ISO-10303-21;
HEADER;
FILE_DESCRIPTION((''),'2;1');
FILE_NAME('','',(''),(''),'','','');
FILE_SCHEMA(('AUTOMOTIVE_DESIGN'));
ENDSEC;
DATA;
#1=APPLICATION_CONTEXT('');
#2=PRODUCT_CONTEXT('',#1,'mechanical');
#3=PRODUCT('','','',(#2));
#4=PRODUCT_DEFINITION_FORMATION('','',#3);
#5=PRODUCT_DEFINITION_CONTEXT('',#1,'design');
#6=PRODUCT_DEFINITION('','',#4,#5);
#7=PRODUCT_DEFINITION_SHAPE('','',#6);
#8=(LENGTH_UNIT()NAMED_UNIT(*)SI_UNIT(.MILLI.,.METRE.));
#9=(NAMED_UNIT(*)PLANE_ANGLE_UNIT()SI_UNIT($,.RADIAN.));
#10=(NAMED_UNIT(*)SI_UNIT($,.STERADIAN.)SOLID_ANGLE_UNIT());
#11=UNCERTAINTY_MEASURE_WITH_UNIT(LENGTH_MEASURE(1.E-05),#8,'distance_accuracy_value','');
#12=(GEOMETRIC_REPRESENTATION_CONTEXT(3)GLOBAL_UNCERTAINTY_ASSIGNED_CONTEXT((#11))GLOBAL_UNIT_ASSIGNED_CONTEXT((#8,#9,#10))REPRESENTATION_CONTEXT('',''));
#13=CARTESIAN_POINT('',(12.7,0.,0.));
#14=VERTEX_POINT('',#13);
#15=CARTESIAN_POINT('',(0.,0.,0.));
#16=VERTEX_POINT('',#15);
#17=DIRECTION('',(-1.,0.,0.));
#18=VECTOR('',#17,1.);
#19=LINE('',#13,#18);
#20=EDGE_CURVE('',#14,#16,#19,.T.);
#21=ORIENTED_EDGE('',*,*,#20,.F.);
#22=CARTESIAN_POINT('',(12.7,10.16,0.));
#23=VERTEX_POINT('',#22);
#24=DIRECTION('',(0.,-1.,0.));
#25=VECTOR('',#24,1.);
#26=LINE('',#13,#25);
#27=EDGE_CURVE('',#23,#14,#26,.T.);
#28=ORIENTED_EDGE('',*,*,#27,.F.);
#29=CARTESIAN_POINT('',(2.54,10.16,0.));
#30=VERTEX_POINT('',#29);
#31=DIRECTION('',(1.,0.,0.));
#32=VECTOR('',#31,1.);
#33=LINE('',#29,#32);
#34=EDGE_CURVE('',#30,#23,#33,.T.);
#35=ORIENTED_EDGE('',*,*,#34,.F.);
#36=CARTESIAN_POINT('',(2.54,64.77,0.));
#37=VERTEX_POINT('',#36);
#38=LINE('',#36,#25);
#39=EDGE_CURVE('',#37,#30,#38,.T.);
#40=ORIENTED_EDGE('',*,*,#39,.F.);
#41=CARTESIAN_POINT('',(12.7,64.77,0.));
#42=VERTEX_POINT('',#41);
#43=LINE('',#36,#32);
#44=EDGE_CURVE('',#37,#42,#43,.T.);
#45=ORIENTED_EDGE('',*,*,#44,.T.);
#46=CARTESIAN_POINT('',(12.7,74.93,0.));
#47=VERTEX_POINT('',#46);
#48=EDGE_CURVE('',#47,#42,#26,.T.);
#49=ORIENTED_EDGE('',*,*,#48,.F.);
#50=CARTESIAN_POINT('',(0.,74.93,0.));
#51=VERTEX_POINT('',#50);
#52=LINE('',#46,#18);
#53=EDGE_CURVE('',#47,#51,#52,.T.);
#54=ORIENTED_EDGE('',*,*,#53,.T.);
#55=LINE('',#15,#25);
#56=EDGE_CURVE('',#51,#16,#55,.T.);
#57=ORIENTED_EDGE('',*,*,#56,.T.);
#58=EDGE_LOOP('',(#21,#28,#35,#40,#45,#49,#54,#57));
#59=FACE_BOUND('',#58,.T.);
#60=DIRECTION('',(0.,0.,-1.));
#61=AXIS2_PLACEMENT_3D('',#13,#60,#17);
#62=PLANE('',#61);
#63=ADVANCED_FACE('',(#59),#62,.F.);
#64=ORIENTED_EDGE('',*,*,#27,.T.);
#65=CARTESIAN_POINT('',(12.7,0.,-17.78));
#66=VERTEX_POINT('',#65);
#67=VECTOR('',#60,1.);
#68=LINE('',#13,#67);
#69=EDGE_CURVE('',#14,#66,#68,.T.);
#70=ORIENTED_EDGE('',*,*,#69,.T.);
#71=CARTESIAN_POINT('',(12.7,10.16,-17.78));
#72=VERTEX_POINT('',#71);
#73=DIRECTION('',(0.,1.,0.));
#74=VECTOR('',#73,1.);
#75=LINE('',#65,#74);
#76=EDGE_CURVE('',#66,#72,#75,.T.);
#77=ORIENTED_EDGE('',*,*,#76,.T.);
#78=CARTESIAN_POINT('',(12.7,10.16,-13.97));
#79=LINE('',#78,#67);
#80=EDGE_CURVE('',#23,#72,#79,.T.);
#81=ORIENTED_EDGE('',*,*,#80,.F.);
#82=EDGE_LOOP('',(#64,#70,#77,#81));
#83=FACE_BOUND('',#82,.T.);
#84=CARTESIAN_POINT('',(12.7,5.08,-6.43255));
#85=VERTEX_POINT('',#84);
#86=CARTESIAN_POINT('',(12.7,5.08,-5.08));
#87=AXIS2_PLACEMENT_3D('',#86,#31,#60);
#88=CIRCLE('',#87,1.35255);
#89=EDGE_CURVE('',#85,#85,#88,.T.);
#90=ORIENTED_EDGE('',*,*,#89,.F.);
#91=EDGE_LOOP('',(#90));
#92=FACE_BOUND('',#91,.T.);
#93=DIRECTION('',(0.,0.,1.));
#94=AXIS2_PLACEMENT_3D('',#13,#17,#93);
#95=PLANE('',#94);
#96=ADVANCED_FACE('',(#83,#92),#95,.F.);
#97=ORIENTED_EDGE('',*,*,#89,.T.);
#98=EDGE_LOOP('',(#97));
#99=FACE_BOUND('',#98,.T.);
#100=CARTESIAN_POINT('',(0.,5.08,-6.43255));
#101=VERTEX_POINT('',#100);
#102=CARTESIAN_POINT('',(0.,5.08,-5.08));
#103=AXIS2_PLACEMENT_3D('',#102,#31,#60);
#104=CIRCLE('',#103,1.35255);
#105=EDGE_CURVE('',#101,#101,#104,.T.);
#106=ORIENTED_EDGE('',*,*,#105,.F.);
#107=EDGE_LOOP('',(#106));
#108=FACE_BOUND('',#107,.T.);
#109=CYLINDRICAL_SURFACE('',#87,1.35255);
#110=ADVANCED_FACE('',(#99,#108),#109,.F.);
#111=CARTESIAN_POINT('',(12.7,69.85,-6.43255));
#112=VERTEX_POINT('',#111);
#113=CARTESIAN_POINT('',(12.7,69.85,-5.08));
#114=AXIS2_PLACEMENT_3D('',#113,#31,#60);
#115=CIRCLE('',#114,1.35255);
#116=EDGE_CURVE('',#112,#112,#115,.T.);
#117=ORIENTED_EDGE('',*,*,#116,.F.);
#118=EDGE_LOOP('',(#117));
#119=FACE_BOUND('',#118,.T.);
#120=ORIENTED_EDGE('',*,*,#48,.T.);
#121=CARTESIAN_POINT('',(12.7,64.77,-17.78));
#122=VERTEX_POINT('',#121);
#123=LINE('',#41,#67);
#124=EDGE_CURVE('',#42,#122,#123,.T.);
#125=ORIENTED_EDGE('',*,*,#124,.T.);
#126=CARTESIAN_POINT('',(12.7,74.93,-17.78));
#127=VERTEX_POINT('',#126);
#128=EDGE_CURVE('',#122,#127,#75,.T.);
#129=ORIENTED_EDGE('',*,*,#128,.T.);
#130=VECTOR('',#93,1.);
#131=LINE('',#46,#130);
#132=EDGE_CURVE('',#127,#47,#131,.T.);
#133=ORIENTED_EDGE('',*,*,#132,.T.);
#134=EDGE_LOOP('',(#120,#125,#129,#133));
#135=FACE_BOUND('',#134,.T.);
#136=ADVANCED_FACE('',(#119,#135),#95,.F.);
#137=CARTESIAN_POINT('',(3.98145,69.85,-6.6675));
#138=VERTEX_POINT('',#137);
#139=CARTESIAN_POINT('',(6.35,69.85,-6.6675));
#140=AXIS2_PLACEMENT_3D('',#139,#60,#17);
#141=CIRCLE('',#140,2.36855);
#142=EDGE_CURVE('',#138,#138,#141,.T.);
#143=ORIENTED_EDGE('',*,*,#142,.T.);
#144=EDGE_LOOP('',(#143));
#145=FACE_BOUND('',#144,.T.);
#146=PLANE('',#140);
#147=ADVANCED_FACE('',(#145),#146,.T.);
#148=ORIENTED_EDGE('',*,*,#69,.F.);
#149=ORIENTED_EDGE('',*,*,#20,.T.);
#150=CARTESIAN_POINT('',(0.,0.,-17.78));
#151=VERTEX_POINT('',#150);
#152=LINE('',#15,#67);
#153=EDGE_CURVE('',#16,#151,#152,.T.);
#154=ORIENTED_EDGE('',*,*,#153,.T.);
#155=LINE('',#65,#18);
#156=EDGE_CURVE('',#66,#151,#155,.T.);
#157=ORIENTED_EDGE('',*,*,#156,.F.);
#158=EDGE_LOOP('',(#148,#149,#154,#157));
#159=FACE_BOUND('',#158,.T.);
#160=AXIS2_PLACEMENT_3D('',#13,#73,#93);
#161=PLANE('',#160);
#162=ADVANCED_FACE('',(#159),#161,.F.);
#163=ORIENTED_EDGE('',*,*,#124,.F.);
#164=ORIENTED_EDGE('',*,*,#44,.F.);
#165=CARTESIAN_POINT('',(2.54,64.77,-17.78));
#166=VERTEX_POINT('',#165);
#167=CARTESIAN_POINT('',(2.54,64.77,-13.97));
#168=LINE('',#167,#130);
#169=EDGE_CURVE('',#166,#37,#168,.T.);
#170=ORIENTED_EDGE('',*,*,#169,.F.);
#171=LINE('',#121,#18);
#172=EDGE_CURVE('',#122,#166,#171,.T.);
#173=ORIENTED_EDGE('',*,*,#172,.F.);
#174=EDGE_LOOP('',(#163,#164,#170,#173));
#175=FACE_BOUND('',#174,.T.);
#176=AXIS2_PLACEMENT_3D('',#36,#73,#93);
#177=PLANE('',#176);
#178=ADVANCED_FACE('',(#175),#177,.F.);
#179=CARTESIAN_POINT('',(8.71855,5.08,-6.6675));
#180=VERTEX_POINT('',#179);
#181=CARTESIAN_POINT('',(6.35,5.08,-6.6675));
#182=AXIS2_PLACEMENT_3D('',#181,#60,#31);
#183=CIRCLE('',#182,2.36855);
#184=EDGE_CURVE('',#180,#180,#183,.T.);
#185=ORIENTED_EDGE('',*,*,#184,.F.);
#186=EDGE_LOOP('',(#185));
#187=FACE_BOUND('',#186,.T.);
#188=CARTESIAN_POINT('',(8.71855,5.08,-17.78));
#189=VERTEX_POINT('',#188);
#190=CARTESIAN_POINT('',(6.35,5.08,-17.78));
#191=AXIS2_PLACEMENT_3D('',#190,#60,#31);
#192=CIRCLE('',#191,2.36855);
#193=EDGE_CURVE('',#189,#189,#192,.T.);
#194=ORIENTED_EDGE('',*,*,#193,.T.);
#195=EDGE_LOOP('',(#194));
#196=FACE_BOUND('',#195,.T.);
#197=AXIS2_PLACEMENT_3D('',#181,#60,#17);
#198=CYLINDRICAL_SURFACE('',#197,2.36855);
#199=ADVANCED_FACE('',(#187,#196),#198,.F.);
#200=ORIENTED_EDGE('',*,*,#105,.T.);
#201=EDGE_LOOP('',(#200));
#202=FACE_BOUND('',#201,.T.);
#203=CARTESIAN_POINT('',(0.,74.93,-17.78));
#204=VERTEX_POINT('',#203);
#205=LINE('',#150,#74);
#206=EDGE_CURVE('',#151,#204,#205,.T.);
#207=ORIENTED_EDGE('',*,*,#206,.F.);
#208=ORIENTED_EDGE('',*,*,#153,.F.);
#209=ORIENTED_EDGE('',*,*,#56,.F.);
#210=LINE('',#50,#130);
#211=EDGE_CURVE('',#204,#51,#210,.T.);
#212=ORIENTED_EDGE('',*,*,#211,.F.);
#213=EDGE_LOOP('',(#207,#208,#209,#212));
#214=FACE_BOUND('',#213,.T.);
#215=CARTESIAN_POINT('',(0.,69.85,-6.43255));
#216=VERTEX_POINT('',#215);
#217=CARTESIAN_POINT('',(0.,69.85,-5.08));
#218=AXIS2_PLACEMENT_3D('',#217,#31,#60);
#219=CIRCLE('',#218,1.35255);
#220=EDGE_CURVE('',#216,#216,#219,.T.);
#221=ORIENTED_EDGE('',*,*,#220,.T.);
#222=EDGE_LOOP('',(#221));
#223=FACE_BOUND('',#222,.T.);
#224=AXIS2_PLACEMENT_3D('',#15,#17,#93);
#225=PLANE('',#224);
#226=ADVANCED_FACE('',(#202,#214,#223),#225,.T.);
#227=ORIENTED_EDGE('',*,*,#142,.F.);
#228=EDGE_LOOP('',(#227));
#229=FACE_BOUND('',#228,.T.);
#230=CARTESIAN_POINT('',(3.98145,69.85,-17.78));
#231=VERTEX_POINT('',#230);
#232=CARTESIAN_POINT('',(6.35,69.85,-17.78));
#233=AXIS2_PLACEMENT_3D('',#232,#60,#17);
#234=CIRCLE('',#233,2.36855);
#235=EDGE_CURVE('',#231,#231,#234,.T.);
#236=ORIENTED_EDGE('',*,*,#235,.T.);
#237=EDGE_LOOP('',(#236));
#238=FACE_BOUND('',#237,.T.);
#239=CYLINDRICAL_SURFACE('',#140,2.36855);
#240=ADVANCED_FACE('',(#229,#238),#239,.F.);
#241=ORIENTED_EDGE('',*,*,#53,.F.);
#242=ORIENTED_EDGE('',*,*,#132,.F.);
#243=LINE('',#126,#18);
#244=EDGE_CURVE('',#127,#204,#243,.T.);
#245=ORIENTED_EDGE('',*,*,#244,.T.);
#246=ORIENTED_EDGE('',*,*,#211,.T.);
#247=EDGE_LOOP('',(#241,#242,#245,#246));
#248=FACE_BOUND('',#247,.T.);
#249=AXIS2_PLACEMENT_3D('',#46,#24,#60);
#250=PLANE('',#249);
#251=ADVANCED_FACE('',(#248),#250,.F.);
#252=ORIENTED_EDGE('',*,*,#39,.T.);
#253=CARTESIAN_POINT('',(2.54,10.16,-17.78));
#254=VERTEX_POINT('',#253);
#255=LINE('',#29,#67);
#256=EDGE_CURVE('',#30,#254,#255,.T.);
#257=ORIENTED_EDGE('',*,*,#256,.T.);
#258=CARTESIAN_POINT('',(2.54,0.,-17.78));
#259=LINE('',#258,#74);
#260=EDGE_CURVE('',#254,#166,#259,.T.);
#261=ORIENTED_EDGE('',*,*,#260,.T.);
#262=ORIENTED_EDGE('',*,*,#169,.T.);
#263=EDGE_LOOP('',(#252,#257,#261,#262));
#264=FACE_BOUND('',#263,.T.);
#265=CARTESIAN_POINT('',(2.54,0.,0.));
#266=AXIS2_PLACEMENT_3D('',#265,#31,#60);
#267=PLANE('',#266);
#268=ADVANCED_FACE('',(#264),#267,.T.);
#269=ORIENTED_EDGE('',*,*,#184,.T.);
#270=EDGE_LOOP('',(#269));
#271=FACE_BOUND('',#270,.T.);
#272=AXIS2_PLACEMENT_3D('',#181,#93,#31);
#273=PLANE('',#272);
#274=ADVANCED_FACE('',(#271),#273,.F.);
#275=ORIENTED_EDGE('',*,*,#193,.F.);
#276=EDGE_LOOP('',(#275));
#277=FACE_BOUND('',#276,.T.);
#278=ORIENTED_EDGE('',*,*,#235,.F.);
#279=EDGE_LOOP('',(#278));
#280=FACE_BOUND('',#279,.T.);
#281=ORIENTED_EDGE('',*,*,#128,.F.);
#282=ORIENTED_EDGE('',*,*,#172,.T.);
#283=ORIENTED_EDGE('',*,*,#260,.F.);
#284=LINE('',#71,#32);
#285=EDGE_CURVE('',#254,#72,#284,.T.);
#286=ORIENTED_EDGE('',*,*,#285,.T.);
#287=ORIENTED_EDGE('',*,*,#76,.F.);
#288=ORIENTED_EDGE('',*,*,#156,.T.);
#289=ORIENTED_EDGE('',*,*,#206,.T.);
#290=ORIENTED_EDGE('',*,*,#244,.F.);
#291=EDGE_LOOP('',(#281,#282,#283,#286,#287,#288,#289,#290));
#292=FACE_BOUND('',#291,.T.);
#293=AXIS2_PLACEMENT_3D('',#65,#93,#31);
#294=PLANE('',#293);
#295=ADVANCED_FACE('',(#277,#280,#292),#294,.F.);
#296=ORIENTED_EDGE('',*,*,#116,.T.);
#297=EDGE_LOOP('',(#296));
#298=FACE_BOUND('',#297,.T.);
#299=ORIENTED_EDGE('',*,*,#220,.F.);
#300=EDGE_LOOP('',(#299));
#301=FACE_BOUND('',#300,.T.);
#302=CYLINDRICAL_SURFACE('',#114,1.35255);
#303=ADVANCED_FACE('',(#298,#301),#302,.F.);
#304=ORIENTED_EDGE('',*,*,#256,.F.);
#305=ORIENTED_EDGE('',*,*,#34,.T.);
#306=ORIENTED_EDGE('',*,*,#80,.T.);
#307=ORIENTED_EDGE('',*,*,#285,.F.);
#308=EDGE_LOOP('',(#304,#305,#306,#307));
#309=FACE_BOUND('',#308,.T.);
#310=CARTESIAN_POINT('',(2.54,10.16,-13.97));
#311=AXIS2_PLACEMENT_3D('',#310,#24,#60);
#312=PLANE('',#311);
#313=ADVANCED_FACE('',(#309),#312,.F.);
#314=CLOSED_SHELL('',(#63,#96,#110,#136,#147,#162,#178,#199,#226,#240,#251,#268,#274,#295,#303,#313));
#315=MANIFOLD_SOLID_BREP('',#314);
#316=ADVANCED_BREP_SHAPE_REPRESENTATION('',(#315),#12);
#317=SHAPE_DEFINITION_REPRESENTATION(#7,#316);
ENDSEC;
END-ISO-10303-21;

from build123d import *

# Parameters (mm, degrees)
SKETCH1_W                 = 17.78
SKETCH1_H                 = 74.93
BOSS_EXTRUDE1_DEPTH       = 12.7
CUT_EXTRUDE1_DEPTH        = 10.16
TAP_DRILL_FOR_6_32_TAP1_D = 2.7051
SKETCH5_R                 = 2.36855
CUT_EXTRUDE2_DEPTH        = 11.1125


with BuildPart() as part:
    # Sketch1 → Boss-Extrude1 (new body)
    with BuildSketch(Plane(origin=(0, 0, 0), x_dir=(0, 0, -1), z_dir=(1, 0, 0))):
        with Locations((8.89, 37.465)):
            Rectangle(SKETCH1_W, SKETCH1_H)
    extrude(amount=BOSS_EXTRUDE1_DEPTH)

    # Sketch2 → Cut-Extrude1 (cut)
    with BuildSketch(Plane(origin=(12.7, 0, 0), x_dir=(0, 0, -1), z_dir=(1, 0, 0))):
        Polygon((0, 64.77), (10.16, 64.77), (13.97, 64.77), (24.13, 64.77), (24.13, 10.16), (13.97, 10.16), (10.16, 10.16), (0, 10.16), align=None)
    extrude(amount=-CUT_EXTRUDE1_DEPTH, mode=Mode.SUBTRACT)

    # Tap Drill for #6-32 Tap1 (through all)
    with Locations(Plane(origin=(12.7, 0, 0), x_dir=(0, 0, -1), z_dir=(1, 0, 0))):
        with Locations((5.08, 69.85), (5.08, 5.08)):
            Hole(TAP_DRILL_FOR_6_32_TAP1_D / 2)

    # Sketch5 → Cut-Extrude2 (cut)
    with BuildSketch(Plane(origin=(0, 0, -17.78), x_dir=(-1, 0, 0), z_dir=(0, 0, -1))):
        with Locations((-6.35, 69.85)):
            Circle(SKETCH5_R)
        with Locations((-6.35, 5.08)):
            Circle(SKETCH5_R)
    extrude(amount=-CUT_EXTRUDE2_DEPTH, mode=Mode.SUBTRACT)


solid = part.part
